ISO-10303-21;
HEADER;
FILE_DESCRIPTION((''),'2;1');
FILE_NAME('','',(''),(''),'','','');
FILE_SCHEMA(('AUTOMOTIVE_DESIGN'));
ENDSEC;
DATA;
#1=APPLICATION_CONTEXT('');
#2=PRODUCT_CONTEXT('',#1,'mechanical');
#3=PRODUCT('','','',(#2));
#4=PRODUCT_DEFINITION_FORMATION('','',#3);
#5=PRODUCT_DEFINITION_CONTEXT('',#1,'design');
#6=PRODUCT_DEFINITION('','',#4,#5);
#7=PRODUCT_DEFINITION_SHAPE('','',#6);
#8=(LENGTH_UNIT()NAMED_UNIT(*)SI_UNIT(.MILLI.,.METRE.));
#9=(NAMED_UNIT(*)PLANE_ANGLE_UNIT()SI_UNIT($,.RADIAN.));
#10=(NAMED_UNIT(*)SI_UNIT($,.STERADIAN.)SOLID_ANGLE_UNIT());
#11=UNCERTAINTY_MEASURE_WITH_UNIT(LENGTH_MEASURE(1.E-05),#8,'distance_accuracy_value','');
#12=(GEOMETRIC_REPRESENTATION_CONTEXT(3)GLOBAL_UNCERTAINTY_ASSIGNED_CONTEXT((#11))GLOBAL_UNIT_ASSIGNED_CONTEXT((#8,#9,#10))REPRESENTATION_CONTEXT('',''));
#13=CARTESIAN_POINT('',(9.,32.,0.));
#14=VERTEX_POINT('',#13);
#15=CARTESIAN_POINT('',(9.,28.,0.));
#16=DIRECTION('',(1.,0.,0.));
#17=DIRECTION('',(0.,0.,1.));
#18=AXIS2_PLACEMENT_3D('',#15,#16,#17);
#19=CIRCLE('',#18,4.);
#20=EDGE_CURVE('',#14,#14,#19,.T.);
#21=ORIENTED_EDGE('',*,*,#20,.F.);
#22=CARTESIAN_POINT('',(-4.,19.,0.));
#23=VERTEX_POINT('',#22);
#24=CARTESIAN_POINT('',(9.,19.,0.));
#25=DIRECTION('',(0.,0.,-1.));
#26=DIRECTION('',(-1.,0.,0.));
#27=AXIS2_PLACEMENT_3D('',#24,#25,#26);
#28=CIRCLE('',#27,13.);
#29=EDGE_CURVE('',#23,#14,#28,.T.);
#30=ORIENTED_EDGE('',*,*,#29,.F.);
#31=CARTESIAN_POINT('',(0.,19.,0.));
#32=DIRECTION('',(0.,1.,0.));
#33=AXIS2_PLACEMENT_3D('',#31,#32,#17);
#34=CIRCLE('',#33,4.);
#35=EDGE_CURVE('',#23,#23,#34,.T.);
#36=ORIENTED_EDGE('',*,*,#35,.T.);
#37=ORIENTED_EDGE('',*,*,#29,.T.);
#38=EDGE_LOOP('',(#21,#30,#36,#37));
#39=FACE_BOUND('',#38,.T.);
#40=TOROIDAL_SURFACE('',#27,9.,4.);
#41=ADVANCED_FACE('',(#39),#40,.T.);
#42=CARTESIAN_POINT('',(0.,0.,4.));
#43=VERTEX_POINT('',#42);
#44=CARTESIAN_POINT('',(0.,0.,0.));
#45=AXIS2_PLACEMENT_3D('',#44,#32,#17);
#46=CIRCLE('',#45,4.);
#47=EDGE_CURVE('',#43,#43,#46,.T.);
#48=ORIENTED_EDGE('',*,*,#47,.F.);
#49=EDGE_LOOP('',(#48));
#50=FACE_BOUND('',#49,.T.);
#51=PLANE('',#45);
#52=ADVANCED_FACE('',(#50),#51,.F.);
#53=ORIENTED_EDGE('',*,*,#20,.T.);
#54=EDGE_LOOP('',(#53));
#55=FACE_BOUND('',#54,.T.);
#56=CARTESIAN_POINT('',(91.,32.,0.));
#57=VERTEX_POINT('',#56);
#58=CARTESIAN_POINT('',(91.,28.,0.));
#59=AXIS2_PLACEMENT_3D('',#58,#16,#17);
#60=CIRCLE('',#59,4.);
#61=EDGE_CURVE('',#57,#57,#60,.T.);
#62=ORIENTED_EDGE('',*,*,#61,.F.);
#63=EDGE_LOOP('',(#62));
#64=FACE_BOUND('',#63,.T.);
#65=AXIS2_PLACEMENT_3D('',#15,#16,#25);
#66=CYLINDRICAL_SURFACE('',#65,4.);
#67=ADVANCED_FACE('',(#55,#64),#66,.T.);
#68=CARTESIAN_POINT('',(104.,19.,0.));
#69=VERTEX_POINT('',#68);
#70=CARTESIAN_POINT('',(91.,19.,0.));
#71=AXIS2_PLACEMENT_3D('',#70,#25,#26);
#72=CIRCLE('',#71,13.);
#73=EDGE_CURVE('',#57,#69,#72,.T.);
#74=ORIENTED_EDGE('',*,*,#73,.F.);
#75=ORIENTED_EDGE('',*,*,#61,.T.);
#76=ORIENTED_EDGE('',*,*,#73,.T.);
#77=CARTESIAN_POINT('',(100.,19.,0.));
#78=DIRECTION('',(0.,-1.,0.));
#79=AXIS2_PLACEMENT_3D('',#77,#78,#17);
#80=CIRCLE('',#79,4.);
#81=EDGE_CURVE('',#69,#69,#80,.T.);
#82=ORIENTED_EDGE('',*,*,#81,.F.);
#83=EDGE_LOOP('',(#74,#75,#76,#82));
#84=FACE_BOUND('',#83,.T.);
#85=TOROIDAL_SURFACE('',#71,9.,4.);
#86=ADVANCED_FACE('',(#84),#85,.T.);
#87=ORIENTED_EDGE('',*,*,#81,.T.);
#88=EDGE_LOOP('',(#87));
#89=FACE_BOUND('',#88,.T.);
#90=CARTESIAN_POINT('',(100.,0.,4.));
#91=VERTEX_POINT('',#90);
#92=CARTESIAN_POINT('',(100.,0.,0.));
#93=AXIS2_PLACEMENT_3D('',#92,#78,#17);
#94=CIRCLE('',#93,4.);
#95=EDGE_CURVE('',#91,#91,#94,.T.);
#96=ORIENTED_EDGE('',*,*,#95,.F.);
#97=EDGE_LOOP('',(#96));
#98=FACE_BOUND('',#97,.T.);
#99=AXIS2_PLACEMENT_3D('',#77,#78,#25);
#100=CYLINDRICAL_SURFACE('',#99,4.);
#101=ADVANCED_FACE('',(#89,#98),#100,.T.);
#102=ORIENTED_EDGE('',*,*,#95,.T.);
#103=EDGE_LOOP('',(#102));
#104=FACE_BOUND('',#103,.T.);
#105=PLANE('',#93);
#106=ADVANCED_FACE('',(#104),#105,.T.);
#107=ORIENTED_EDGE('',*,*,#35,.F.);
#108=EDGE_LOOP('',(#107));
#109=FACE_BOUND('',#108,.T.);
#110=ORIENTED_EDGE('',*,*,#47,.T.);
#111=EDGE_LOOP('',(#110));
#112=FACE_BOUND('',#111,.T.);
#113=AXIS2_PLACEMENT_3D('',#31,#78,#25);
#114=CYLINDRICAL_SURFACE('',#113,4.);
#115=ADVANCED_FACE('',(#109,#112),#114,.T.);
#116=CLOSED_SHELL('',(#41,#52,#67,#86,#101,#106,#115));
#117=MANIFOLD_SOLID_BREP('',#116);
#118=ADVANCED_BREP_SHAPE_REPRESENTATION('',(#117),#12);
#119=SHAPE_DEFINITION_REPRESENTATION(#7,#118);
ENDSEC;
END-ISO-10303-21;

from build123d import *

# Parameters (mm, degrees)
SKETCH2_R = 4


with BuildPart() as part:
    # Sweep1: sweep along a path in Sketch1
    with BuildLine(Plane.XY) as sweep1_path:
        Line((0, 0), (0, 19))
        ThreePointArc((0, 19), (2.636038969, 25.363961031), (9, 28))
        Line((9, 28), (91, 28))
        ThreePointArc((91, 28), (97.363961031, 25.363961031), (100, 19))
        Line((100, 19), (100, 0))
    # Sketch2 → Sweep1 (sweep)
    with BuildSketch(Plane(origin=(0, 0, 0), x_dir=(-1, 0, 0), z_dir=(0, 1, 0))):
        Circle(SKETCH2_R)
    sweep(path=sweep1_path.line)


solid = part.part
